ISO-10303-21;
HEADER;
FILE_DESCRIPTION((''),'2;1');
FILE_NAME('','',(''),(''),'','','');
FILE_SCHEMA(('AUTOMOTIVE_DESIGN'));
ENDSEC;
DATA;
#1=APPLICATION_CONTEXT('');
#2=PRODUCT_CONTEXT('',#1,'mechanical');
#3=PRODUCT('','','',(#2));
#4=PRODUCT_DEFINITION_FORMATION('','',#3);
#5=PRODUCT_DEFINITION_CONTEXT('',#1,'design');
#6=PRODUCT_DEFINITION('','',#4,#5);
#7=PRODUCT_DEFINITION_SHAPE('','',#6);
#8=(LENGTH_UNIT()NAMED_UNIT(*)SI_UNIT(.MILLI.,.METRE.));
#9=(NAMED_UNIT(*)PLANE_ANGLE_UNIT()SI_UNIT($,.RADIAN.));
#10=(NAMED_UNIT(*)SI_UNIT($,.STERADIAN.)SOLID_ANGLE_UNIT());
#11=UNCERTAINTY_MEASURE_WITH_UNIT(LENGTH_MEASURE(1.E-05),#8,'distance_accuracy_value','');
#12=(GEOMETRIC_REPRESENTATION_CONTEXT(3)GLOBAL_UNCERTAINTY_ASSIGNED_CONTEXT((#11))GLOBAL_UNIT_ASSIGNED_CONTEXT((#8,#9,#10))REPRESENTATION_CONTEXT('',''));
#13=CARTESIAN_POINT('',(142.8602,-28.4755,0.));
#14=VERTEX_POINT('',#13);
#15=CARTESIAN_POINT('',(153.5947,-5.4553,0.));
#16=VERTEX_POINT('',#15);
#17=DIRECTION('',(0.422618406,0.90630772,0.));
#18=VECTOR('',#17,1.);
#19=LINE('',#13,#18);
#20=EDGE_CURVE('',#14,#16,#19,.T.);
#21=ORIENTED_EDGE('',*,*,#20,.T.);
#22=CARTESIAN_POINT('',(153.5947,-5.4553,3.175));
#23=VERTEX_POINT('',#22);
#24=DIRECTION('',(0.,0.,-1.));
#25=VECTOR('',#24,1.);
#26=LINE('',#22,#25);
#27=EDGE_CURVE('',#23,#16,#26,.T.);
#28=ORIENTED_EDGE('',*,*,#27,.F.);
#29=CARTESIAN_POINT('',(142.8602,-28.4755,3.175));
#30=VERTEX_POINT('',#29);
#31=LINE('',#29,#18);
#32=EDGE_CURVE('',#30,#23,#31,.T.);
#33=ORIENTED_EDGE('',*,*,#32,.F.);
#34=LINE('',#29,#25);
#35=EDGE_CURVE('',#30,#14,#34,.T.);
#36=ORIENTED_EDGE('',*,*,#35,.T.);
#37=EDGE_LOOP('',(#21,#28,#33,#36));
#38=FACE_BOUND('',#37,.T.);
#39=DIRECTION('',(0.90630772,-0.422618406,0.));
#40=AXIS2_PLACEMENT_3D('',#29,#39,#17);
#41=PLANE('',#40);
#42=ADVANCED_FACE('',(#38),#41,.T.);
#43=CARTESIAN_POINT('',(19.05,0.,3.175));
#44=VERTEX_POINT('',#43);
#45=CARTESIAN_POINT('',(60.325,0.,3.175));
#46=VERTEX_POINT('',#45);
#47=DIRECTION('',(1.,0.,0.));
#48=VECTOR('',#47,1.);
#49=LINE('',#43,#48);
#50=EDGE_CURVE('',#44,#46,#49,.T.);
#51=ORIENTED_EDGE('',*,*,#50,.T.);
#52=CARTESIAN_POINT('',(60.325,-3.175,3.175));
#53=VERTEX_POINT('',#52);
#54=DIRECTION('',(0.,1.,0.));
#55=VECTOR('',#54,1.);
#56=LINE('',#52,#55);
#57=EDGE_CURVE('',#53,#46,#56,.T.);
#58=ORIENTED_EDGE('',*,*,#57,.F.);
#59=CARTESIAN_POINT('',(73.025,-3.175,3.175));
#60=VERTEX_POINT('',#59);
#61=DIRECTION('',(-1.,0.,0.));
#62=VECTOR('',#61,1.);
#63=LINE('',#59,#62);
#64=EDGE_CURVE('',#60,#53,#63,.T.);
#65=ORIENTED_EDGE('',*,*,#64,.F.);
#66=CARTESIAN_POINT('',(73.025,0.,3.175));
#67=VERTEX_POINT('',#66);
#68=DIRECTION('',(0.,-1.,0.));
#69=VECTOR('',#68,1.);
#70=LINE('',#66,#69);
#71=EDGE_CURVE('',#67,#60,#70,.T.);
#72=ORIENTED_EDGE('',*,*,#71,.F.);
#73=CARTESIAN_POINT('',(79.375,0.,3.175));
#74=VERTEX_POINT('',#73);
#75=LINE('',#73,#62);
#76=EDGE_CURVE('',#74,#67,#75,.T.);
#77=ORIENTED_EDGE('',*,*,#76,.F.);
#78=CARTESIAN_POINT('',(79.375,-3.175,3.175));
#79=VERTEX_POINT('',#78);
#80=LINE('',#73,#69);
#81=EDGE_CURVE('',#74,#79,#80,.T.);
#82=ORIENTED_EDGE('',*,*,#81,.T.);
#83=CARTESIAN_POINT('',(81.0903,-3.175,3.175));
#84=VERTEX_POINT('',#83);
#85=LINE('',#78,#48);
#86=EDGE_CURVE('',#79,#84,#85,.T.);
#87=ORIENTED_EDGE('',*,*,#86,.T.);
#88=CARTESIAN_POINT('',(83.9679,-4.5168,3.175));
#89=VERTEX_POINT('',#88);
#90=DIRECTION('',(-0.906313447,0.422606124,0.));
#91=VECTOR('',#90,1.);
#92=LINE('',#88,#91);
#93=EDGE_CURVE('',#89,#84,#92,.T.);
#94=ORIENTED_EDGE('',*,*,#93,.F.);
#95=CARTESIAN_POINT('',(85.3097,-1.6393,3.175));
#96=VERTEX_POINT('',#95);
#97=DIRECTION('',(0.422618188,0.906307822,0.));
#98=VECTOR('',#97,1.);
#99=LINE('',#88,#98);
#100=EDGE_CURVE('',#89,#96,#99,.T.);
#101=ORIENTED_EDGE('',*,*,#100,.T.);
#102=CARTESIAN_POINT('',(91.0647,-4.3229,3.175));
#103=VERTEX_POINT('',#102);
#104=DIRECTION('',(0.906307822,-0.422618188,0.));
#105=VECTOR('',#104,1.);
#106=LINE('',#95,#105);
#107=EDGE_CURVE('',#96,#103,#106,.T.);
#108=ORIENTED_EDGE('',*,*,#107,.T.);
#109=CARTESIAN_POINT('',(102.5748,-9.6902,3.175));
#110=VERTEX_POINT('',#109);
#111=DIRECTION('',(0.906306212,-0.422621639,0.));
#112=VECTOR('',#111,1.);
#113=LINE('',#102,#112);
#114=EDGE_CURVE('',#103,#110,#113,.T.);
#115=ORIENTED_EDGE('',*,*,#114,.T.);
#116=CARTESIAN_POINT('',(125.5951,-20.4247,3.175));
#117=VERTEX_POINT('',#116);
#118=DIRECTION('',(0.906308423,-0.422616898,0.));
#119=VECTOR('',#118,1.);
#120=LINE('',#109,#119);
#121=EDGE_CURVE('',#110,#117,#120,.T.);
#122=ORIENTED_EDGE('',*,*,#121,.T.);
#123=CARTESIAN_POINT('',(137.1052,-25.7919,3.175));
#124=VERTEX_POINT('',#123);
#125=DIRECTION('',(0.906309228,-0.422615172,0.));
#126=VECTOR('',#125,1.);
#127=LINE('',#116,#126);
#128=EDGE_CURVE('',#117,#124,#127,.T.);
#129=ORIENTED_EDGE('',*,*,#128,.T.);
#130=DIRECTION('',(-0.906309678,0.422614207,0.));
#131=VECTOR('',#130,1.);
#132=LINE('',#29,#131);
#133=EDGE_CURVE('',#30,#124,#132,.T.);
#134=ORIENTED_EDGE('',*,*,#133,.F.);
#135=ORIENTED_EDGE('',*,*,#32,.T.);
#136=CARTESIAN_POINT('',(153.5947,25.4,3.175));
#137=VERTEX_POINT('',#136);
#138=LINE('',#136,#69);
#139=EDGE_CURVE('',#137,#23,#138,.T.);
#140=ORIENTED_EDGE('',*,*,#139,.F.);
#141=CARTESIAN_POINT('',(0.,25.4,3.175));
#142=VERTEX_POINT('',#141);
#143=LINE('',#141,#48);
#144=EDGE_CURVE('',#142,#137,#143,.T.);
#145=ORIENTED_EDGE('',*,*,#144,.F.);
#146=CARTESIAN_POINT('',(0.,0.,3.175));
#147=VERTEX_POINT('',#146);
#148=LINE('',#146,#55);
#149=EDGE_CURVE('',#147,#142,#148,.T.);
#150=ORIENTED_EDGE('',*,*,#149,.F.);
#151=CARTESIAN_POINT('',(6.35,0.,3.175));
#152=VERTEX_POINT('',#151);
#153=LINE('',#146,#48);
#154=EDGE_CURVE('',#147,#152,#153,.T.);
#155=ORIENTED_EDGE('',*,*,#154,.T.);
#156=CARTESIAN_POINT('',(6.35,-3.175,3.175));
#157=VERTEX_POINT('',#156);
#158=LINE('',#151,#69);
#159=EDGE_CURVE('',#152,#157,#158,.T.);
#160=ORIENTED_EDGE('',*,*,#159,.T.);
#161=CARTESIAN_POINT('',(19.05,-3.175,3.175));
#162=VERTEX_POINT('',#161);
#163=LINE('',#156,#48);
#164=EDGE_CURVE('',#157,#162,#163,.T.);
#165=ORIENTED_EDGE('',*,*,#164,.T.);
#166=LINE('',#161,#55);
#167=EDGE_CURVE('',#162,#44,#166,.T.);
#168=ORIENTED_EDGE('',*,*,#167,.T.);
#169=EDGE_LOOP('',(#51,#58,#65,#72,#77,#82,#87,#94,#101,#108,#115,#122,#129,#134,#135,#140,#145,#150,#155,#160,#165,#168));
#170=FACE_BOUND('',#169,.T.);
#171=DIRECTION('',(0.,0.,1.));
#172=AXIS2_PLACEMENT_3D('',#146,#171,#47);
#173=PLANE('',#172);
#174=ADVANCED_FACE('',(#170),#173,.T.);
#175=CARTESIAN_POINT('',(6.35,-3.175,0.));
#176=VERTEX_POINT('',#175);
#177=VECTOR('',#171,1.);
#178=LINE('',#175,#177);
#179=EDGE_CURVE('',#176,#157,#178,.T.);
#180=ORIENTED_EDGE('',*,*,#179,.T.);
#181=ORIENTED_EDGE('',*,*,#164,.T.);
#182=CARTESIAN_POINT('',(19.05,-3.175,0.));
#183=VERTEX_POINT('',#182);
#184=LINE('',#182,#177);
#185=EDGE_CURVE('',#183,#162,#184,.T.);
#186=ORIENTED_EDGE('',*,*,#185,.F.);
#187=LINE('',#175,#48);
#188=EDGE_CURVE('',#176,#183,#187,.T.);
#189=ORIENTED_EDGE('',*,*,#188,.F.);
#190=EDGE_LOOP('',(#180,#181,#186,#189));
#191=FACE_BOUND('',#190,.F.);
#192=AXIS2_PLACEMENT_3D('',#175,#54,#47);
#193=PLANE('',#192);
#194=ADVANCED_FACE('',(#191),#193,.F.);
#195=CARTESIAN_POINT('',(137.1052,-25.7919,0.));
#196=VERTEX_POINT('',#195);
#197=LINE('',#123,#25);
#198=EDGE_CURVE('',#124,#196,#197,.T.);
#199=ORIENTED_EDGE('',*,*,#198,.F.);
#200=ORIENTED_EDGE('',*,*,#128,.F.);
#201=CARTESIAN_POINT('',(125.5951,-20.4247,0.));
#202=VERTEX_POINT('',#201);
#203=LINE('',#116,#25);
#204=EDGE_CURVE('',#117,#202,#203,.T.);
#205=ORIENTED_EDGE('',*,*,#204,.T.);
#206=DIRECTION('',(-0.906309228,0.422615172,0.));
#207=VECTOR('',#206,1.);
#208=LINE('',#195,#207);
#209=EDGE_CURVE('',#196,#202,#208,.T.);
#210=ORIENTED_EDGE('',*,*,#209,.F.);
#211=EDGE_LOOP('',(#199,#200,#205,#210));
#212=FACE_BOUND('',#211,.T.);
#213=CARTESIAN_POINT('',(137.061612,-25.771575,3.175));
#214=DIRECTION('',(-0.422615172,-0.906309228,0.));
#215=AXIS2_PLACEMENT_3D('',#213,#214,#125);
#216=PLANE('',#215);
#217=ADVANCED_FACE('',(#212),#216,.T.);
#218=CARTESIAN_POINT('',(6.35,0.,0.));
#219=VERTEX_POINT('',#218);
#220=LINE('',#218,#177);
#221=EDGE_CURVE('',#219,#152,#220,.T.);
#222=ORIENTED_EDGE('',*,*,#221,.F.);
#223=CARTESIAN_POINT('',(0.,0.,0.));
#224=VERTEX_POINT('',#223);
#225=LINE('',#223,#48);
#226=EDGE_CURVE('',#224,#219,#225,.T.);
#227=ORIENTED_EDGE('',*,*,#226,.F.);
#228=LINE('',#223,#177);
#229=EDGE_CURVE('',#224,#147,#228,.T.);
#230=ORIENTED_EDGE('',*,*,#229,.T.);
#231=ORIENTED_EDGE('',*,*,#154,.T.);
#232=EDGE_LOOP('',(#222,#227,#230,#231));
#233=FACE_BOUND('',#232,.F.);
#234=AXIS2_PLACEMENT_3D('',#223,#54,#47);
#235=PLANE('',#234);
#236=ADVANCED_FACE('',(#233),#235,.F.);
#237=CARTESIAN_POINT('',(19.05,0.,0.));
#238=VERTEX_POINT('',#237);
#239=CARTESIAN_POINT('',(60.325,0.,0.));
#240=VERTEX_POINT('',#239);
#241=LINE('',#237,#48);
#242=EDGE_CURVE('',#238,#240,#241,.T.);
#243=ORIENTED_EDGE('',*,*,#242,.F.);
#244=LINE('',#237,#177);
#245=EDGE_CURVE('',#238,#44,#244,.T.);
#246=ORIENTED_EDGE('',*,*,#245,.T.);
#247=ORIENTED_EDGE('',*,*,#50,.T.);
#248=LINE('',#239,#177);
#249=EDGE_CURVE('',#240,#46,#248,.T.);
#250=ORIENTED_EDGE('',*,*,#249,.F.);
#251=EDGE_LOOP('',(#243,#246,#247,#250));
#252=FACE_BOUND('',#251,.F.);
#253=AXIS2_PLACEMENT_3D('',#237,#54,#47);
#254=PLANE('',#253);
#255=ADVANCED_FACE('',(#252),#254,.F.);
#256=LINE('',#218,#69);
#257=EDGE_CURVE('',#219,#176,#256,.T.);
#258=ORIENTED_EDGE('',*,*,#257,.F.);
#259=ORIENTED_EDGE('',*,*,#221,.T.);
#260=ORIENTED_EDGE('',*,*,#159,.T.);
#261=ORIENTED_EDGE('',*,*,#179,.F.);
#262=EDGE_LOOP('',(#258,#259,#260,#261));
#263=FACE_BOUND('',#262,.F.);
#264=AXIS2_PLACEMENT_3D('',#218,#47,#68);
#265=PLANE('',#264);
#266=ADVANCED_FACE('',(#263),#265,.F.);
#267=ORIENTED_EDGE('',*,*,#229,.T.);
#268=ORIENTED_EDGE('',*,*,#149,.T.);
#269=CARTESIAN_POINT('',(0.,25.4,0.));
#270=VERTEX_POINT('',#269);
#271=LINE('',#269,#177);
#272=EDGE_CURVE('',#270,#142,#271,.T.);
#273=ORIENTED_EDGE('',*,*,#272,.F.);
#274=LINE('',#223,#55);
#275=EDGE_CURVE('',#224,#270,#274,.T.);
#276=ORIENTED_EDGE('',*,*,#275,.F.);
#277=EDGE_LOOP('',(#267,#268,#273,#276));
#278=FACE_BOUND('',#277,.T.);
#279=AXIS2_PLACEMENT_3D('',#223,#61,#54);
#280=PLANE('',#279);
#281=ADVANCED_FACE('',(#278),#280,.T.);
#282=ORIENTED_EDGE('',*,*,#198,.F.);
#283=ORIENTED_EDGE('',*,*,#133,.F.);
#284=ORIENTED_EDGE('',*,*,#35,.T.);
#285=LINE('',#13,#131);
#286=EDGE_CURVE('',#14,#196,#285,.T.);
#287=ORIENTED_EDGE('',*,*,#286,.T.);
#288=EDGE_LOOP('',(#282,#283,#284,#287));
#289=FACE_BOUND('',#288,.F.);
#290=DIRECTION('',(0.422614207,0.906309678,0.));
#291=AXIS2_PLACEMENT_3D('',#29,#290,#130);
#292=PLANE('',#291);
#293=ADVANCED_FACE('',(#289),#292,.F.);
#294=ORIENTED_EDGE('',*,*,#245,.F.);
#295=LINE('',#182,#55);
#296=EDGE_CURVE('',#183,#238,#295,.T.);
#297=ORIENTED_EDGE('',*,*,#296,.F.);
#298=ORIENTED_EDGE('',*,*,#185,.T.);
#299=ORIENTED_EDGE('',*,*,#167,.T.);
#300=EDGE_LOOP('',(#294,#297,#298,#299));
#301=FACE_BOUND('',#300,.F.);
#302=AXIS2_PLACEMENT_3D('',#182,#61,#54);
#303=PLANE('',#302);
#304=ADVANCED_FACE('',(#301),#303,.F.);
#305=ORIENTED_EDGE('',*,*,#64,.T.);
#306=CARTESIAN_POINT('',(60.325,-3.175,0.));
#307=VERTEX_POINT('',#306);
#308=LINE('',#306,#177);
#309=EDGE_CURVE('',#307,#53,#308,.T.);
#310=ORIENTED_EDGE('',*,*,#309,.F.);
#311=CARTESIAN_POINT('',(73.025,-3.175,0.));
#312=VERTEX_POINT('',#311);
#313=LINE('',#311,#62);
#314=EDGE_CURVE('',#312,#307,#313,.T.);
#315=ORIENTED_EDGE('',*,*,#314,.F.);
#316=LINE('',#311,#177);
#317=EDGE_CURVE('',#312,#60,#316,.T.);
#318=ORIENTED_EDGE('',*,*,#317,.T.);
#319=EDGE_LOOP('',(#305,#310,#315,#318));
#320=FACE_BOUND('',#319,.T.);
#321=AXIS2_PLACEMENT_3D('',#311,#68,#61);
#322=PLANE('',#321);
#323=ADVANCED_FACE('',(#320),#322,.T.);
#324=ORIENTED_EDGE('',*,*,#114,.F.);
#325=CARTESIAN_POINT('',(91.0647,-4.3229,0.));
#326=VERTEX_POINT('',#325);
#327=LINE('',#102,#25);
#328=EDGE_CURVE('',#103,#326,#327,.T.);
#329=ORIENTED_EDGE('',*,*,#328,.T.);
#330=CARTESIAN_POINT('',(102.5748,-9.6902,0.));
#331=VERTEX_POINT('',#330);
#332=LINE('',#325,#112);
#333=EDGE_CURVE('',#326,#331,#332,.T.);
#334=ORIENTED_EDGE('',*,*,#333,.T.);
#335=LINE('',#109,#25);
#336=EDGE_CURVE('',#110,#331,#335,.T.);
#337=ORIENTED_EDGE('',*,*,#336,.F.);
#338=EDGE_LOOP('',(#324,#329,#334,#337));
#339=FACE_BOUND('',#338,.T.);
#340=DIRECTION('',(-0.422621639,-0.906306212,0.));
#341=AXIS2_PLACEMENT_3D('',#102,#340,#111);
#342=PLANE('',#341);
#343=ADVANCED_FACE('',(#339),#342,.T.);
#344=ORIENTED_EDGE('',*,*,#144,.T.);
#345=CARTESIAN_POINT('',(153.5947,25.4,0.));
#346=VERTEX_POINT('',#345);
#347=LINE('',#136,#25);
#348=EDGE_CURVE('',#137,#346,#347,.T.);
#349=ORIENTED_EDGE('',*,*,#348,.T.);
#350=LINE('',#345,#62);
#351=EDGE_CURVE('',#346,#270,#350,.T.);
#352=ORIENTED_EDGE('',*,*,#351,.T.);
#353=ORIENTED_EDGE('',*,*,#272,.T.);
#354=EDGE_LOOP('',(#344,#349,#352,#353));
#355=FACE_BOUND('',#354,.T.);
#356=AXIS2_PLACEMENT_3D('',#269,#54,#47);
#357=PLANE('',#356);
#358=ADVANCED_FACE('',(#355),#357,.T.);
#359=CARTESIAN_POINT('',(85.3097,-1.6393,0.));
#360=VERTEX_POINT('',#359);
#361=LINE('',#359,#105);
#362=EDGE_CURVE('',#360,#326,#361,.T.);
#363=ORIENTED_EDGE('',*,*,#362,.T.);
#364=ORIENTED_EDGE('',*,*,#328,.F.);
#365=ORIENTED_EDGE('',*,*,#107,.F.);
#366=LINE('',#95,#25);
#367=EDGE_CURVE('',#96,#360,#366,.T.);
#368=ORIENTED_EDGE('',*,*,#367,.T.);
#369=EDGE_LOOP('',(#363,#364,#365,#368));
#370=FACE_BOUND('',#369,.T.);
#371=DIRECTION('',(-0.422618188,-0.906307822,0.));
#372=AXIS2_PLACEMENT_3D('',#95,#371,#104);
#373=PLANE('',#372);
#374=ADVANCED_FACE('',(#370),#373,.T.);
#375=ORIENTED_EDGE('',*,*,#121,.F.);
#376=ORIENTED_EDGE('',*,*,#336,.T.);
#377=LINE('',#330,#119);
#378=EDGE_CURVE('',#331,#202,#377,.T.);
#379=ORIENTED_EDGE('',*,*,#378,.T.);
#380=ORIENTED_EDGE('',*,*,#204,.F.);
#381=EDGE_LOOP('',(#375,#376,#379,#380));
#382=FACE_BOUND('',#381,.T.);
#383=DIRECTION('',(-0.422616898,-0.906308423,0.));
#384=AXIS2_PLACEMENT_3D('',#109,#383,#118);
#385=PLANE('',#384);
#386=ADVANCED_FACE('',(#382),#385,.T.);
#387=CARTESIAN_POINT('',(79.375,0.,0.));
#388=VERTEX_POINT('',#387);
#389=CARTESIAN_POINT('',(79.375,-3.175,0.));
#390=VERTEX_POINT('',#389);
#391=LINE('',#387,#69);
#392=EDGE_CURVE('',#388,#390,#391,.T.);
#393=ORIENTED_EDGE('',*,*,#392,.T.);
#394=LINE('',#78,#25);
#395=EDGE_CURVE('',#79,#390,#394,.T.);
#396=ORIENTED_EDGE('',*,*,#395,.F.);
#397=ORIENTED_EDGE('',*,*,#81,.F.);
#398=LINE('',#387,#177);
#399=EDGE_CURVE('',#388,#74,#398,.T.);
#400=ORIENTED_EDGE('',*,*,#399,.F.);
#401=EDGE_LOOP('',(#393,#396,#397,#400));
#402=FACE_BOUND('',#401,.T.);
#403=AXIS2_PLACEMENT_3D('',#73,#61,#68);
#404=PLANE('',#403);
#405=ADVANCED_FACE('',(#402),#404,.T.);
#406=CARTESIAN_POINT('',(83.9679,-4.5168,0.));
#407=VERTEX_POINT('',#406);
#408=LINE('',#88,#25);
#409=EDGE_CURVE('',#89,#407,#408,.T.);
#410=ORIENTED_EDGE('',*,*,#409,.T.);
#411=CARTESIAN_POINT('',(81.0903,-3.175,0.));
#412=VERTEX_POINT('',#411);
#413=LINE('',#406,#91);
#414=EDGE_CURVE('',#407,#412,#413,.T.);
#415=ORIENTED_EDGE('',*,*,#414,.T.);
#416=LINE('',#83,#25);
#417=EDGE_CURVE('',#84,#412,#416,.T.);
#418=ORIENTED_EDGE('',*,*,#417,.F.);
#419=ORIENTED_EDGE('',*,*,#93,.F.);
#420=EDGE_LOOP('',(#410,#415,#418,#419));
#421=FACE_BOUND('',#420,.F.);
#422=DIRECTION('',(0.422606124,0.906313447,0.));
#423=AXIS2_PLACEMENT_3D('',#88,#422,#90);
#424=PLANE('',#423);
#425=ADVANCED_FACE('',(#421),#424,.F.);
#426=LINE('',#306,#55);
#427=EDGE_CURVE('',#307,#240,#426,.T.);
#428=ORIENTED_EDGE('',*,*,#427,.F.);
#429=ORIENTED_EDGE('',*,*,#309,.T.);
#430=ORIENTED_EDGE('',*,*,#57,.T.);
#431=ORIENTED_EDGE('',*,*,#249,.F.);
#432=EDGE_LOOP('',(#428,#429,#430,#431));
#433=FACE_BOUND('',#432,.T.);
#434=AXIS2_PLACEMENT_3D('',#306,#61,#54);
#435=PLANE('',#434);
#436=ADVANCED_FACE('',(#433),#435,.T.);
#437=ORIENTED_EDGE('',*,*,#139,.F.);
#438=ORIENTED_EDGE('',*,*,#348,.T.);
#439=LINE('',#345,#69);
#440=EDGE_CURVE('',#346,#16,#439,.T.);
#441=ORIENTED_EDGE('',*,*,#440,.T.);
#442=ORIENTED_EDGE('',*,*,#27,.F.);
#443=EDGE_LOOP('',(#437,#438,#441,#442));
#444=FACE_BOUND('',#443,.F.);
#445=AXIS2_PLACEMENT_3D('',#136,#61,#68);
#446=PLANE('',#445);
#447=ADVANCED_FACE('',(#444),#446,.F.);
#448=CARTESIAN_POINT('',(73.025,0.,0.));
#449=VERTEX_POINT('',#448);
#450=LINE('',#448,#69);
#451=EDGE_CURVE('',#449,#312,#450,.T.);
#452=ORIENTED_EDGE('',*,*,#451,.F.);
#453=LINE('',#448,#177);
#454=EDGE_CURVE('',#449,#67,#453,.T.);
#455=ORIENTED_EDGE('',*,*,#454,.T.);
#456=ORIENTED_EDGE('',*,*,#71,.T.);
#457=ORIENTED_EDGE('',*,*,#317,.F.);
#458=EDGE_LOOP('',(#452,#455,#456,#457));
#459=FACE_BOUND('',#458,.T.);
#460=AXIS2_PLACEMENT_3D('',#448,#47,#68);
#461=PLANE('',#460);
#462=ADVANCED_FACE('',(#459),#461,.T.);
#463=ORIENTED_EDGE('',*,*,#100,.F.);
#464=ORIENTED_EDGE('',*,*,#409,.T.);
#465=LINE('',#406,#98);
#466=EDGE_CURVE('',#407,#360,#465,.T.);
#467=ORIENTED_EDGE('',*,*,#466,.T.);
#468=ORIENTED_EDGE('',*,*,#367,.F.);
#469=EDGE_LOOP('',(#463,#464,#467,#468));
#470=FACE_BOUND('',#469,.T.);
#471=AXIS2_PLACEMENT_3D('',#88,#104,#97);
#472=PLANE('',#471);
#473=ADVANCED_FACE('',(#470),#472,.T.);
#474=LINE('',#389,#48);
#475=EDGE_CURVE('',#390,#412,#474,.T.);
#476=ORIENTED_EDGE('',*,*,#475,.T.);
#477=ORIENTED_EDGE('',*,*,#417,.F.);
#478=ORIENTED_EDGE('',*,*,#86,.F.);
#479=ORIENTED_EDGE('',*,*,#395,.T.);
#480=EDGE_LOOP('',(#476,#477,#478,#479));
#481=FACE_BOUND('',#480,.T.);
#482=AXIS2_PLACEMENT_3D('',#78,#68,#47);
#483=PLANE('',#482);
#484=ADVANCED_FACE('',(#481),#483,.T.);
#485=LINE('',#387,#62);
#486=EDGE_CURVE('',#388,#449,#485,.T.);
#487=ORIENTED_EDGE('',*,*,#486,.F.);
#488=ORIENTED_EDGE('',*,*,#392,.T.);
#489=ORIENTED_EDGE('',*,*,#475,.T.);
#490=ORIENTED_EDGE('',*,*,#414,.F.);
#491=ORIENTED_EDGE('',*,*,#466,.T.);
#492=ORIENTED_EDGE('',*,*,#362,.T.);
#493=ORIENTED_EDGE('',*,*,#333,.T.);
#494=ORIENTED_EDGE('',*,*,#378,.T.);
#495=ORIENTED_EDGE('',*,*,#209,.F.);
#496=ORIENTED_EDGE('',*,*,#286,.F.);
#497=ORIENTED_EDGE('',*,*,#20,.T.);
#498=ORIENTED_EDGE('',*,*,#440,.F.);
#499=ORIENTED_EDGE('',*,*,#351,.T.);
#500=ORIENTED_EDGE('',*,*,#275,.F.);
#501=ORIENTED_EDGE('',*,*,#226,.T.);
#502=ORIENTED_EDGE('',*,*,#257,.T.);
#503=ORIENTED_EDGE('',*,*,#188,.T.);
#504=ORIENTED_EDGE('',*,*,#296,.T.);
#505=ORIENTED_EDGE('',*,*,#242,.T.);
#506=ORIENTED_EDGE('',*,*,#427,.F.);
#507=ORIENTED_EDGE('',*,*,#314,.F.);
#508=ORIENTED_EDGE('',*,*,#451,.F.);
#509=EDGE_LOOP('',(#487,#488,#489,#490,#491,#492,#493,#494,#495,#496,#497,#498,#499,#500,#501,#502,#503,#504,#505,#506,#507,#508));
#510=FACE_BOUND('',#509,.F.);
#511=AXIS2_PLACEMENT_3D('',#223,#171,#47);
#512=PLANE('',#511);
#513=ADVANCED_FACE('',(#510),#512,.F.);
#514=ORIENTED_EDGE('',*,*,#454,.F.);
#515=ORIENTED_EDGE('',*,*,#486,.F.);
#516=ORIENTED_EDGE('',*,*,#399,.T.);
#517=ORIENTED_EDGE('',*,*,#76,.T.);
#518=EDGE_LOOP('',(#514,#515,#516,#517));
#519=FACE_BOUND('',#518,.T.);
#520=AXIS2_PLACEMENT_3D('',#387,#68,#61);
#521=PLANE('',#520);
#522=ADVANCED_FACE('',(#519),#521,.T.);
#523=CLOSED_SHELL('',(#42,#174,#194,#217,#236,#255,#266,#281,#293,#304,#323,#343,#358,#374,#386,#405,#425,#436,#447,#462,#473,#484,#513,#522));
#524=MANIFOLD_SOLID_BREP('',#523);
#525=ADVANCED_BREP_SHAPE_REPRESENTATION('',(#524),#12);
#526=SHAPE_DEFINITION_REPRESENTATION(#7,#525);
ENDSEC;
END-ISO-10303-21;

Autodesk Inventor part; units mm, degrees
ref_plane "YZ Plane" through (0, 0, 0) normal (1, 0, 0) x (0, 1, 0)
ref_plane "XZ Plane" through (0, 0, 0) normal (0, 1, 0) x (-1, 0, 0)
ref_plane "XY Plane" through (0, 0, 0) normal (0, 0, 1) x (1, 0, 0)
sketch "Sketch1" plane through (0, 0, 0) normal (0, 0, 1) x (1, 0, 0)
  line L0 (0, 0) -> (0, 25.4)
  line L1 (0, 25.4) -> (79.375, 25.4)
  line L2 (79.375, 25.4) -> (79.375, 0)
  line L3 (79.375, 0) -> (73.025, 0)
  line L4 (73.025, 0) -> (73.025, -3.175)
  line L5 (73.025, -3.175) -> (60.325, -3.175)
  line L6 (60.325, -3.175) -> (60.325, 0)
  line L7 (0, 0) -> (6.35, 0)
  line L8 (6.35, 0) -> (6.35, -3.175)
  line L9 (6.35, -3.175) -> (19.05, -3.175)
  line L10 (19.05, -3.175) -> (19.05, 0)
  line L11 (19.05, 0) -> (60.325, 0)
  dimension "d0" = 25.4
  dimension "d1" = 79.375
  dimension "d2" = 6.35
  dimension "d4" = 3.175
  dimension "d5" = 12.7
  dimension "d6" = 6.35
  dimension "d7" = 3.175
  dimension "d8" = 12.7
  dimension "d9" = 25.4
  dimension "d10" = 25.4
extrude "Extrusion1" add sketch "Sketch1" along normal blind 3.175
sketch "Sketch2" plane through (0, 0, 3.175) normal (0, 0, 1) x (1, 0, 0)
  line L0 (141.5184, -31.3531) -> (142.8602, -28.4755) projected
  line L1 (125.5951, -20.4247) -> (137.1052, -25.7919) projected
  line L2 (124.2533, -23.3022) -> (125.5951, -20.4247) projected
  line L3 (135.7634, -28.6694) -> (124.2533, -23.3022) projected
  line L4 (137.1052, -25.7919) -> (135.7634, -28.6694) projected
  line L5 (101.233, -12.5677) -> (89.7229, -7.2004) projected
  line L6 (102.5748, -9.6902) -> (101.233, -12.5677) projected
  line L7 (91.0647, -4.3229) -> (102.5748, -9.6902) projected
  line L8 (89.7229, -7.2004) -> (91.0647, -4.3229) projected
  line L9 (83.9679, -4.5168) -> (85.3097, -1.6393) projected
  line L10 (79.375, 0) -> (79.375, -3.175) projected
  line L11 (79.375, -3.175) -> (81.0903, -3.175)
  line L12 (83.9679, -4.5168) -> (81.0903, -3.175)
  line L13 (79.375, -3.175) -> (79.375, 25.4)
  line L14 (79.375, 25.4) -> (87.4253, 25.4)
  line L15 (83.9679, -4.5168) -> (85.3097, -1.6393)
  line L16 (85.3097, -1.6393) -> (91.0647, -4.3229)
  line L17 (91.0647, -4.3229) -> (89.7229, -7.2004)
  line L18 (89.7229, -7.2004) -> (101.233, -12.5677)
  line L19 (102.5748, -9.6902) -> (101.233, -12.5677)
  line L20 (102.5748, -9.6902) -> (125.5951, -20.4247)
  line L21 (125.5951, -20.4247) -> (124.2533, -23.3022)
  line L22 (124.2533, -23.3022) -> (135.7634, -28.6694)
  line L23 (137.1052, -25.7919) -> (135.7634, -28.6694)
  line L24 (142.8602, -28.4755) -> (137.0616, -25.7716)
  line L25 (142.8602, -28.4755) -> (153.5947, -5.4553)
  line L26 (79.375, 25.4) -> (0, 25.4) projected
  line L27 (87.4253, 25.4) -> (153.5947, 25.4)
  line L28 (153.5947, 25.4) -> (153.5947, -5.4553)
  dimension "d13" = 25.4
extrude "Extrusion2" add sketch "Sketch2" against normal blind 3.175 contours L20 L7 L16 L9 L12 L11 L10 L13 L14 L27 L28 L25 L24 L1
properties part number "Side Wall" material "Polycarbonate, Clear"
